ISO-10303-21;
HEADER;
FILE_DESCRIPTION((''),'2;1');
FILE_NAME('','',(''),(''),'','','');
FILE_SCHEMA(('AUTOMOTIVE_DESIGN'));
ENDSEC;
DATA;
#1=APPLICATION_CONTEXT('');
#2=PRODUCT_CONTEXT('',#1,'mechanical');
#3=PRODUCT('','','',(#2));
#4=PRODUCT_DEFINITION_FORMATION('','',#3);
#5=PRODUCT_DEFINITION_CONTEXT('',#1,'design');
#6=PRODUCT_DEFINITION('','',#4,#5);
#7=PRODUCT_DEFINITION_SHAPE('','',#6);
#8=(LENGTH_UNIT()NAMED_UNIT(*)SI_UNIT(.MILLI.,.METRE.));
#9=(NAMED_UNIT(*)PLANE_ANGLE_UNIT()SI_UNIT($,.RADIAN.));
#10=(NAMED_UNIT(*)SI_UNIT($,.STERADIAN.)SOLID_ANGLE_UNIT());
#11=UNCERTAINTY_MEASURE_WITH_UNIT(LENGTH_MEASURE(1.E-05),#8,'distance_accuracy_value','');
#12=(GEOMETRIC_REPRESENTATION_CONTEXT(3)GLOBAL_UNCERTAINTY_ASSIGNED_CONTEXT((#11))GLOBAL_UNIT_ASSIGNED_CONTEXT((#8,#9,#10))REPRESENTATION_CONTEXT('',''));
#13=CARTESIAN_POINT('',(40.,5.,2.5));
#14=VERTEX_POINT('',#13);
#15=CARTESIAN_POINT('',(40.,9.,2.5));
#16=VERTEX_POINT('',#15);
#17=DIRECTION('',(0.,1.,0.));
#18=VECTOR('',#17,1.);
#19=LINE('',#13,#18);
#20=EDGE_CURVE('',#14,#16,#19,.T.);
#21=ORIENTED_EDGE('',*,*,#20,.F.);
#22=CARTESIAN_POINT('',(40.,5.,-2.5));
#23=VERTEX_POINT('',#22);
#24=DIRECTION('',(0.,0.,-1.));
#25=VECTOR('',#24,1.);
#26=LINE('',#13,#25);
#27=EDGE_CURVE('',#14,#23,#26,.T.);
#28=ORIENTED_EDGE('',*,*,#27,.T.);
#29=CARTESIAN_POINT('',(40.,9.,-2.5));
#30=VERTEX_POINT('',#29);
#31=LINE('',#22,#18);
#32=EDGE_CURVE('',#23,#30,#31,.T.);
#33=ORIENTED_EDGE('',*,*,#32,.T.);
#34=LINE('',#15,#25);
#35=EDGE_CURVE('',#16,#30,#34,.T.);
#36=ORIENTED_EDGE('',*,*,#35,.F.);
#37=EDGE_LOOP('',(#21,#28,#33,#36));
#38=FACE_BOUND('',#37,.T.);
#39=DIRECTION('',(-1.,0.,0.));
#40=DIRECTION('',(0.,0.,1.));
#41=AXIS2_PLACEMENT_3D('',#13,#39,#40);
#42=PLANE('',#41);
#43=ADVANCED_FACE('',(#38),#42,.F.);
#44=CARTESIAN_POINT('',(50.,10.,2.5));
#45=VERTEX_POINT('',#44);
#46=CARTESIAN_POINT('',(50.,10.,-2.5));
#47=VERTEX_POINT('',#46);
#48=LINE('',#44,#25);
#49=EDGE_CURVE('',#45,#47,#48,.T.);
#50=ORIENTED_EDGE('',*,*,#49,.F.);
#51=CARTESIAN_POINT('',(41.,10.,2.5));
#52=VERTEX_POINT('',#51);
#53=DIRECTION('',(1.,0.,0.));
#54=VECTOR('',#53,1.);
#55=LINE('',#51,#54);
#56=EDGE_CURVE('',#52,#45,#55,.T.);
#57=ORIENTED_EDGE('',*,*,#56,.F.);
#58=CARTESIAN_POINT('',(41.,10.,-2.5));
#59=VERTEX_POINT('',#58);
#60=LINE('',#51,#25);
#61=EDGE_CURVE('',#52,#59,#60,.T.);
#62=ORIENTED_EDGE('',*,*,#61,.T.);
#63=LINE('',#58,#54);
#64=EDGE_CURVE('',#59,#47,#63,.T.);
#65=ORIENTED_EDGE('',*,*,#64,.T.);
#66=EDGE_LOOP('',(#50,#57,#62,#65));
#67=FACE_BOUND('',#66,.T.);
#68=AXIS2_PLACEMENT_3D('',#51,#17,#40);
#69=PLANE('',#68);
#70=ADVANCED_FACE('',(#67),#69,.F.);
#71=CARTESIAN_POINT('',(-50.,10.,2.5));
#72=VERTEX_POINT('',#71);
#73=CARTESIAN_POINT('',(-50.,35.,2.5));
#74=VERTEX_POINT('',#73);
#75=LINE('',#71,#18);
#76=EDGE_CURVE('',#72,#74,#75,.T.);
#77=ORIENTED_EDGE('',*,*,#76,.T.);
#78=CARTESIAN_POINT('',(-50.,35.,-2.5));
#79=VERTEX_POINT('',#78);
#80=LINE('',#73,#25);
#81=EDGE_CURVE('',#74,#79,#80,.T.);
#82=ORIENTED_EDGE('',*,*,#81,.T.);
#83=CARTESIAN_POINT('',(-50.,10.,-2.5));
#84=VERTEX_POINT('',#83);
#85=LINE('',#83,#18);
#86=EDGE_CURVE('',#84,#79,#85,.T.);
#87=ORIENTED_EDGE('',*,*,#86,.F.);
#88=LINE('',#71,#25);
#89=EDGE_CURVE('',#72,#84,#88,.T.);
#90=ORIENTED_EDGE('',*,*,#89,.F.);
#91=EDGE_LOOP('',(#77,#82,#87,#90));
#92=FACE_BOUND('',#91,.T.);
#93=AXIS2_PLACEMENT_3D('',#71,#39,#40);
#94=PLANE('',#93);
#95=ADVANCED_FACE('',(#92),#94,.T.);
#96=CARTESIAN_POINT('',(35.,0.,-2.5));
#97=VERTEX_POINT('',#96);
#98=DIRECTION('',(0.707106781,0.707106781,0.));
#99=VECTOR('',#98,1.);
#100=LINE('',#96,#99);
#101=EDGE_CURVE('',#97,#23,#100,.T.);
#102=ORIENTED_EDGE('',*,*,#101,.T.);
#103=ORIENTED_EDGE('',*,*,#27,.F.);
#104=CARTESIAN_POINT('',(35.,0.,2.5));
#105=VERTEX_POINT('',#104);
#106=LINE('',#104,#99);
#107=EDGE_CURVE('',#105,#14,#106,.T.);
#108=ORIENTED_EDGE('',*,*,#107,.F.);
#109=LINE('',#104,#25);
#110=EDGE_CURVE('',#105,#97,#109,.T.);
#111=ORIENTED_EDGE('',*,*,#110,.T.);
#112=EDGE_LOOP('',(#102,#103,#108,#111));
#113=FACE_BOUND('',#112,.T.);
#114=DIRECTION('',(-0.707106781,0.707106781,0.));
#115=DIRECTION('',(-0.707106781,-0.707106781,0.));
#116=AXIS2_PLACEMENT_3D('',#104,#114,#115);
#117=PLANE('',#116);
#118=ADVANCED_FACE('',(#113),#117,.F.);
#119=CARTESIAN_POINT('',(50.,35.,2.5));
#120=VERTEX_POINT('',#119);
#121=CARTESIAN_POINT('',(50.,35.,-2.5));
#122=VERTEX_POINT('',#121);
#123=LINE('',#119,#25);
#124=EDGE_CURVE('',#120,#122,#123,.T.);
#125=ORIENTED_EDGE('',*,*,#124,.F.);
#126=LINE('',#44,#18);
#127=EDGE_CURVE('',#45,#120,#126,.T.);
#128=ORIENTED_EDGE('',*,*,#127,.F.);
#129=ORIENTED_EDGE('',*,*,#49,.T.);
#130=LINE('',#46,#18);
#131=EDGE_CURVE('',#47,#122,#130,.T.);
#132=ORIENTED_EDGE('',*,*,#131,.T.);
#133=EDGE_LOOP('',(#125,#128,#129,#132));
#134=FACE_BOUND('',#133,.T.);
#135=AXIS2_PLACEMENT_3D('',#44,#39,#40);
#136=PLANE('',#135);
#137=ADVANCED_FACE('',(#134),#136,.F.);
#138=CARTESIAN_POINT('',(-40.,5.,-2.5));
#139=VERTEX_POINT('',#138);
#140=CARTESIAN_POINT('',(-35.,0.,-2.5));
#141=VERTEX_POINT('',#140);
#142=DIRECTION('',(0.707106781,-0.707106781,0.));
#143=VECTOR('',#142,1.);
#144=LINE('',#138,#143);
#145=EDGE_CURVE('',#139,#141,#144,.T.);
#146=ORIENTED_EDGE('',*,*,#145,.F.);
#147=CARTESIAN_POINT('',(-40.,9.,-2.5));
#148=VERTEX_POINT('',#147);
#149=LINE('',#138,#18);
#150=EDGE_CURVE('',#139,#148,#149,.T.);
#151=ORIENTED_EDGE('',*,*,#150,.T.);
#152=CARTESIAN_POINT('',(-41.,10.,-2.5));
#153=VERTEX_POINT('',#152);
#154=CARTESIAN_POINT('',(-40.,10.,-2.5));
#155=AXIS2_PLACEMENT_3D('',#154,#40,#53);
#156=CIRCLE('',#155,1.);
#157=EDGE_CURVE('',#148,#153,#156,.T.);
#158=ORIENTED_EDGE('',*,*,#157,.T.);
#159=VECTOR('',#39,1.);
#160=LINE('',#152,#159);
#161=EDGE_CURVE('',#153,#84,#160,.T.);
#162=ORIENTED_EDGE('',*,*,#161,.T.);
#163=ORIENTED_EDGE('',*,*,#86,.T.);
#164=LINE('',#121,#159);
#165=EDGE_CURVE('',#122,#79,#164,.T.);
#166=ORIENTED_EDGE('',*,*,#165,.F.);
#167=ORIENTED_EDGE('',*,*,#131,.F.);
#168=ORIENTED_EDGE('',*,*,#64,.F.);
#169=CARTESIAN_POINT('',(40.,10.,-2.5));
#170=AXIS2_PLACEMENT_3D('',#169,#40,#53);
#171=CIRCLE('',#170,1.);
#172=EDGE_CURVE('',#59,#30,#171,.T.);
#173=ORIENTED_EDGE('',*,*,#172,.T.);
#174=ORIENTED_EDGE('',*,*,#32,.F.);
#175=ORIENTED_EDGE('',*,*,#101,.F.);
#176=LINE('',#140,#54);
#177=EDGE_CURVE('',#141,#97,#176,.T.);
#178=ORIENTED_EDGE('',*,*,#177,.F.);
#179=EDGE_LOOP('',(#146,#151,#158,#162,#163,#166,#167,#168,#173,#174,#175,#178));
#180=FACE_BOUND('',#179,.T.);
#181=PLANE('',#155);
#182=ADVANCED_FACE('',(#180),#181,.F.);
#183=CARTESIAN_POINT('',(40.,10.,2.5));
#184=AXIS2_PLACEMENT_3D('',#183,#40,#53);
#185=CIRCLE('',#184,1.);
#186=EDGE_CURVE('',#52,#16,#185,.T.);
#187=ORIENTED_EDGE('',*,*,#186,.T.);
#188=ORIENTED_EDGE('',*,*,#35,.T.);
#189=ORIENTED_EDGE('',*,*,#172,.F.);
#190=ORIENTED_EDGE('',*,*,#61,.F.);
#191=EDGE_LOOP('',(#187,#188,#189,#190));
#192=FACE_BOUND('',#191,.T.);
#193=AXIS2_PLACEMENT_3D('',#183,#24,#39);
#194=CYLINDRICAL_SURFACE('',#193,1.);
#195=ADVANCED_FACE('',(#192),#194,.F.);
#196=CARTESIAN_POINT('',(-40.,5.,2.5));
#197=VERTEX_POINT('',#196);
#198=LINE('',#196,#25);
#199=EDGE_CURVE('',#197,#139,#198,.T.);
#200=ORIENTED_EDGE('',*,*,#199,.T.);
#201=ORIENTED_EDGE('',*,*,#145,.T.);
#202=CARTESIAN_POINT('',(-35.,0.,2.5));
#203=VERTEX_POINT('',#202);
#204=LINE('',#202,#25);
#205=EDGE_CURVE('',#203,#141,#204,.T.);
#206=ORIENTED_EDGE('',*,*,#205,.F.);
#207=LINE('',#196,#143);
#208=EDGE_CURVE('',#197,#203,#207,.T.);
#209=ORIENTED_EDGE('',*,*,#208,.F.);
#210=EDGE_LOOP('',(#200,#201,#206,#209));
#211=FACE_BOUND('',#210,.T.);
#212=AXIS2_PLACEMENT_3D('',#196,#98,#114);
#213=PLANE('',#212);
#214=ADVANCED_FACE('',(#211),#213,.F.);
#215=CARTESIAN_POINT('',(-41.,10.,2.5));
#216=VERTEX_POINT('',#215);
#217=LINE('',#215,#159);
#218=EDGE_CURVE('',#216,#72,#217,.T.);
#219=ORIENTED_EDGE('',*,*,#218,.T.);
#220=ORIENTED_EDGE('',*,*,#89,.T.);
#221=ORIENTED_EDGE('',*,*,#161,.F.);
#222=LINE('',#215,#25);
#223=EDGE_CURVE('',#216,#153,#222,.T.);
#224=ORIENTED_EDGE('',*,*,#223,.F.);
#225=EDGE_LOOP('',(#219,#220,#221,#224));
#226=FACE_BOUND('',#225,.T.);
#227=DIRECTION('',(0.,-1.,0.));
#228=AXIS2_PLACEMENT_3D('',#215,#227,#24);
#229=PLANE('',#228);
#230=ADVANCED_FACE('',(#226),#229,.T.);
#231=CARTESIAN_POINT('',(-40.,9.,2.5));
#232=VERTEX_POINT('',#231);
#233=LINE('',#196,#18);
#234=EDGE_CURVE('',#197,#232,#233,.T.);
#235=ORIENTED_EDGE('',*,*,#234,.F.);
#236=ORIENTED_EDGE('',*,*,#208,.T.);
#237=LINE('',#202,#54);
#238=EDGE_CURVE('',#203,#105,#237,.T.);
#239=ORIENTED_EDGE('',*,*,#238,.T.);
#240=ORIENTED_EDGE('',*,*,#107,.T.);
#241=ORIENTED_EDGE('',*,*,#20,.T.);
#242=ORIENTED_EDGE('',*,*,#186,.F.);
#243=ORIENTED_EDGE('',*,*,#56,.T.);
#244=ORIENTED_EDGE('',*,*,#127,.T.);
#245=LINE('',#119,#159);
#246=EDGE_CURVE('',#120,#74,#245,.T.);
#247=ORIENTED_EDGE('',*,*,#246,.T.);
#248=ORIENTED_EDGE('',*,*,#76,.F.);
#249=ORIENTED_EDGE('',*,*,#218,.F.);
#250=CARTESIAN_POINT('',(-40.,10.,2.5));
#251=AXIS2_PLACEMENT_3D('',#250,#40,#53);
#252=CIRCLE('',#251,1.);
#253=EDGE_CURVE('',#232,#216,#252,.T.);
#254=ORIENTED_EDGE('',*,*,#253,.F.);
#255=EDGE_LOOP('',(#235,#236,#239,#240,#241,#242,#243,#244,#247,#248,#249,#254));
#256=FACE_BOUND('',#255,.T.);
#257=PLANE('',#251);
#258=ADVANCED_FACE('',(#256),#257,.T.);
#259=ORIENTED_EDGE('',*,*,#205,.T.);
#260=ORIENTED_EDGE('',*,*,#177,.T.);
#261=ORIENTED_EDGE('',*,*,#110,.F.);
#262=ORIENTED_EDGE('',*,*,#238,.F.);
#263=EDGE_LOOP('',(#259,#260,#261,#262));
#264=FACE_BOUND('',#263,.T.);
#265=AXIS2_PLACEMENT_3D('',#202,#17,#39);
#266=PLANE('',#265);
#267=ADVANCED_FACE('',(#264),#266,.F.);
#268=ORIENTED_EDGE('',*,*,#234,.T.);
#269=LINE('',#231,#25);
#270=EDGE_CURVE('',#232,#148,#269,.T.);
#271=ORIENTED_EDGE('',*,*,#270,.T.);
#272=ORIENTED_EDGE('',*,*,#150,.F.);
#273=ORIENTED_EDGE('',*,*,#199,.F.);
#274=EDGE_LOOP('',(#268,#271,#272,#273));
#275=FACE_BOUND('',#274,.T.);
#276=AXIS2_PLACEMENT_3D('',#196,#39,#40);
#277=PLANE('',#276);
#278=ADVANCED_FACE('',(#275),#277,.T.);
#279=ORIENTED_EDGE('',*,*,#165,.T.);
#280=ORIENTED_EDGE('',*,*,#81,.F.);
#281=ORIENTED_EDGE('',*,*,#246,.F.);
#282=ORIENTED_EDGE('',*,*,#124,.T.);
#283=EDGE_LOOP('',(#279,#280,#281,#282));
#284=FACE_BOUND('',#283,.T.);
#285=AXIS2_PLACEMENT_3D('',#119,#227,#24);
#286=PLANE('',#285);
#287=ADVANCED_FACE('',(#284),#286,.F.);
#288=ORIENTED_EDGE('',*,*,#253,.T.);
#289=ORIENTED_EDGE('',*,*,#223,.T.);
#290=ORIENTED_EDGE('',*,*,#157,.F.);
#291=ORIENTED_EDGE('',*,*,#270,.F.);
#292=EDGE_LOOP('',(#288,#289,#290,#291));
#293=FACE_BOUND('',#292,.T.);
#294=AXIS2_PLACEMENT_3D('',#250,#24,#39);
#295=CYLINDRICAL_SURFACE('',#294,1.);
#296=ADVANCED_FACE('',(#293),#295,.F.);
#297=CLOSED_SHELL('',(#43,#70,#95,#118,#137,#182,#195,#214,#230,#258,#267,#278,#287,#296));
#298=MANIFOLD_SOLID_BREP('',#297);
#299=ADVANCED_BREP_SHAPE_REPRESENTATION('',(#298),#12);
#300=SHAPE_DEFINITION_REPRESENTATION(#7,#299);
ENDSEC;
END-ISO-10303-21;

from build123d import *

# Parameters (mm, degrees)
EXTRUDE_1_DEPTH = 2.5


with BuildPart() as part:
    # 草圖1 → 填料-伸長1 (new, symmetric)
    with BuildSketch(Plane.XY):
        with BuildLine():
            Line((-40, 5), (-35, 0))
            Line((-35, 0), (35, 0))
            Line((35, 0), (40, 5))
            Line((40, 5), (40, 9))
            ThreePointArc((40, 9), (39.292893219, 10.707106781), (41, 10))
            Line((41, 10), (50, 10))
            Line((50, 10), (50, 35))
            Line((50, 35), (-50, 35))
            Line((-50, 35), (-50, 10))
            Line((-50, 10), (-41, 10))
            ThreePointArc((-41, 10), (-39.292893219, 10.707106781), (-40, 9))
            Line((-40, 9), (-40, 5))
        make_face()
    extrude(amount=EXTRUDE_1_DEPTH, both=True)


solid = part.part
